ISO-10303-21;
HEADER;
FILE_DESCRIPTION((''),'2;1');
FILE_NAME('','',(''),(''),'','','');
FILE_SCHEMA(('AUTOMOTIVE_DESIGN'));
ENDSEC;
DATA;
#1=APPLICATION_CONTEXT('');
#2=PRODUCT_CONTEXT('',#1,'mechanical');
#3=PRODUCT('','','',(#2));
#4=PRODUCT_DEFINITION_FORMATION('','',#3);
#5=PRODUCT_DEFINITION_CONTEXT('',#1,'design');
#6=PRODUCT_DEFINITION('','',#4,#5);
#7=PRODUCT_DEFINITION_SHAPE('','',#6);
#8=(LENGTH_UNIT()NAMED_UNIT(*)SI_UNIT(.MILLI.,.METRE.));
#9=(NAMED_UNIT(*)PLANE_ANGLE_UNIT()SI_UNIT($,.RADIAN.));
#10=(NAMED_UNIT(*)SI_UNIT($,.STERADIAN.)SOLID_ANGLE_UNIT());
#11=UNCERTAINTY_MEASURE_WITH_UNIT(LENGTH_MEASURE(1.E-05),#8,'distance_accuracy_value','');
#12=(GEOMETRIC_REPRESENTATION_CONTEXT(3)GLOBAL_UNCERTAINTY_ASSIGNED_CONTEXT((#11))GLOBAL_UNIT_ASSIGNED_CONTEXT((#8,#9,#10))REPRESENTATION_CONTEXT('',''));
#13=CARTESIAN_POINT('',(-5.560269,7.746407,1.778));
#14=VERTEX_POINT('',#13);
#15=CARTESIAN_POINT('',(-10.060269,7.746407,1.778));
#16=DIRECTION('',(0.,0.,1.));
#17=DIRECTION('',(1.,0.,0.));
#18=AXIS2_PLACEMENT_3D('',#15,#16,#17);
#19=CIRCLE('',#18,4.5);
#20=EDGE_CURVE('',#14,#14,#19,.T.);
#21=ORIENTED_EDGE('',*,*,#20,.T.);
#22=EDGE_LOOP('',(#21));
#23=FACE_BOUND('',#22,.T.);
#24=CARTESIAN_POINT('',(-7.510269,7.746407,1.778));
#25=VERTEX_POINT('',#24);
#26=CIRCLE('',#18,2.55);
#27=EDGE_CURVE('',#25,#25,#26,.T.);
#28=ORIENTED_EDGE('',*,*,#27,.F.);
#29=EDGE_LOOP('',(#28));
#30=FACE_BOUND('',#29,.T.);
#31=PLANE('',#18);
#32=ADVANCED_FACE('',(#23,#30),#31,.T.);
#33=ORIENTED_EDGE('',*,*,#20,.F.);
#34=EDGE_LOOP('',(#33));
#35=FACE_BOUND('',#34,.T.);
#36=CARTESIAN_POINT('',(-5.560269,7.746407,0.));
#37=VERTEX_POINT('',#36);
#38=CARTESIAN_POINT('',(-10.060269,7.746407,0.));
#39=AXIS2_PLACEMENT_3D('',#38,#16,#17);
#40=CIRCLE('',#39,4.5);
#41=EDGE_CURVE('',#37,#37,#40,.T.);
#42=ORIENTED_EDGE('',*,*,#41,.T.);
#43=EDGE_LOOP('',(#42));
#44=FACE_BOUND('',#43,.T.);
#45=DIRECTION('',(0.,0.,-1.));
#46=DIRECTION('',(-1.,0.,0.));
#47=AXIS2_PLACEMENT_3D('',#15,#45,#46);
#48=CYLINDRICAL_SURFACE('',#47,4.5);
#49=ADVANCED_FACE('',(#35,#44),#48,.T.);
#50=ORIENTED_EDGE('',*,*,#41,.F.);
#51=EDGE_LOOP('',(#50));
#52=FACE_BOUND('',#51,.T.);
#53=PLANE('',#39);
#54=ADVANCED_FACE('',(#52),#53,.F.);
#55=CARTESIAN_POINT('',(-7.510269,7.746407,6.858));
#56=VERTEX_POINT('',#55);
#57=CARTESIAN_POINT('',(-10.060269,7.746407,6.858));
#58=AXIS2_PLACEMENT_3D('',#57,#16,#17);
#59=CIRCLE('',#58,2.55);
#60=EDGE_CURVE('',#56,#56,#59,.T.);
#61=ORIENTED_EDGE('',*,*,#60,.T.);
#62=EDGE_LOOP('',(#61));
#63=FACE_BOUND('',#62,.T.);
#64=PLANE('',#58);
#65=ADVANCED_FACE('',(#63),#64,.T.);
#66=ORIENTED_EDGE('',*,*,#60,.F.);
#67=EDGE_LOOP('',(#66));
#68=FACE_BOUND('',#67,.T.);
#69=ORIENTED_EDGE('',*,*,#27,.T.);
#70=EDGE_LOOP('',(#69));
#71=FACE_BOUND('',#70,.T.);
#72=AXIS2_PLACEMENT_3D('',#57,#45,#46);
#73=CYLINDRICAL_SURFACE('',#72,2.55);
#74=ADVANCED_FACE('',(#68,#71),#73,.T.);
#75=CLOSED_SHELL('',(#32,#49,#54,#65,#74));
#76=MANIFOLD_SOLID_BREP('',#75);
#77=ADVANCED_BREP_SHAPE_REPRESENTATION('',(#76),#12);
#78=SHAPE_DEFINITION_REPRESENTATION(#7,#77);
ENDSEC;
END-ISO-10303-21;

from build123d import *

# Parameters (mm, degrees)
SKETCH1_R           = 4.5
BOSS_EXTRUDE2_DEPTH = 1.778
SKETCH2_R           = 2.55
BOSS_EXTRUDE4_DEPTH = 5.08


with BuildPart() as part:
    # Sketch1 → Boss-Extrude2 (new body)
    with BuildSketch(Plane.XY):
        with Locations((-10.060269198, 7.746407282)):
            Circle(SKETCH1_R)
    extrude(amount=BOSS_EXTRUDE2_DEPTH)

    # Sketch2 → Boss-Extrude4 (add)
    with BuildSketch(Plane.XY.offset(1.778)):
        with Locations((-10.060269198, 7.746407282)):
            Circle(SKETCH2_R)
    extrude(amount=BOSS_EXTRUDE4_DEPTH)


solid = part.part
